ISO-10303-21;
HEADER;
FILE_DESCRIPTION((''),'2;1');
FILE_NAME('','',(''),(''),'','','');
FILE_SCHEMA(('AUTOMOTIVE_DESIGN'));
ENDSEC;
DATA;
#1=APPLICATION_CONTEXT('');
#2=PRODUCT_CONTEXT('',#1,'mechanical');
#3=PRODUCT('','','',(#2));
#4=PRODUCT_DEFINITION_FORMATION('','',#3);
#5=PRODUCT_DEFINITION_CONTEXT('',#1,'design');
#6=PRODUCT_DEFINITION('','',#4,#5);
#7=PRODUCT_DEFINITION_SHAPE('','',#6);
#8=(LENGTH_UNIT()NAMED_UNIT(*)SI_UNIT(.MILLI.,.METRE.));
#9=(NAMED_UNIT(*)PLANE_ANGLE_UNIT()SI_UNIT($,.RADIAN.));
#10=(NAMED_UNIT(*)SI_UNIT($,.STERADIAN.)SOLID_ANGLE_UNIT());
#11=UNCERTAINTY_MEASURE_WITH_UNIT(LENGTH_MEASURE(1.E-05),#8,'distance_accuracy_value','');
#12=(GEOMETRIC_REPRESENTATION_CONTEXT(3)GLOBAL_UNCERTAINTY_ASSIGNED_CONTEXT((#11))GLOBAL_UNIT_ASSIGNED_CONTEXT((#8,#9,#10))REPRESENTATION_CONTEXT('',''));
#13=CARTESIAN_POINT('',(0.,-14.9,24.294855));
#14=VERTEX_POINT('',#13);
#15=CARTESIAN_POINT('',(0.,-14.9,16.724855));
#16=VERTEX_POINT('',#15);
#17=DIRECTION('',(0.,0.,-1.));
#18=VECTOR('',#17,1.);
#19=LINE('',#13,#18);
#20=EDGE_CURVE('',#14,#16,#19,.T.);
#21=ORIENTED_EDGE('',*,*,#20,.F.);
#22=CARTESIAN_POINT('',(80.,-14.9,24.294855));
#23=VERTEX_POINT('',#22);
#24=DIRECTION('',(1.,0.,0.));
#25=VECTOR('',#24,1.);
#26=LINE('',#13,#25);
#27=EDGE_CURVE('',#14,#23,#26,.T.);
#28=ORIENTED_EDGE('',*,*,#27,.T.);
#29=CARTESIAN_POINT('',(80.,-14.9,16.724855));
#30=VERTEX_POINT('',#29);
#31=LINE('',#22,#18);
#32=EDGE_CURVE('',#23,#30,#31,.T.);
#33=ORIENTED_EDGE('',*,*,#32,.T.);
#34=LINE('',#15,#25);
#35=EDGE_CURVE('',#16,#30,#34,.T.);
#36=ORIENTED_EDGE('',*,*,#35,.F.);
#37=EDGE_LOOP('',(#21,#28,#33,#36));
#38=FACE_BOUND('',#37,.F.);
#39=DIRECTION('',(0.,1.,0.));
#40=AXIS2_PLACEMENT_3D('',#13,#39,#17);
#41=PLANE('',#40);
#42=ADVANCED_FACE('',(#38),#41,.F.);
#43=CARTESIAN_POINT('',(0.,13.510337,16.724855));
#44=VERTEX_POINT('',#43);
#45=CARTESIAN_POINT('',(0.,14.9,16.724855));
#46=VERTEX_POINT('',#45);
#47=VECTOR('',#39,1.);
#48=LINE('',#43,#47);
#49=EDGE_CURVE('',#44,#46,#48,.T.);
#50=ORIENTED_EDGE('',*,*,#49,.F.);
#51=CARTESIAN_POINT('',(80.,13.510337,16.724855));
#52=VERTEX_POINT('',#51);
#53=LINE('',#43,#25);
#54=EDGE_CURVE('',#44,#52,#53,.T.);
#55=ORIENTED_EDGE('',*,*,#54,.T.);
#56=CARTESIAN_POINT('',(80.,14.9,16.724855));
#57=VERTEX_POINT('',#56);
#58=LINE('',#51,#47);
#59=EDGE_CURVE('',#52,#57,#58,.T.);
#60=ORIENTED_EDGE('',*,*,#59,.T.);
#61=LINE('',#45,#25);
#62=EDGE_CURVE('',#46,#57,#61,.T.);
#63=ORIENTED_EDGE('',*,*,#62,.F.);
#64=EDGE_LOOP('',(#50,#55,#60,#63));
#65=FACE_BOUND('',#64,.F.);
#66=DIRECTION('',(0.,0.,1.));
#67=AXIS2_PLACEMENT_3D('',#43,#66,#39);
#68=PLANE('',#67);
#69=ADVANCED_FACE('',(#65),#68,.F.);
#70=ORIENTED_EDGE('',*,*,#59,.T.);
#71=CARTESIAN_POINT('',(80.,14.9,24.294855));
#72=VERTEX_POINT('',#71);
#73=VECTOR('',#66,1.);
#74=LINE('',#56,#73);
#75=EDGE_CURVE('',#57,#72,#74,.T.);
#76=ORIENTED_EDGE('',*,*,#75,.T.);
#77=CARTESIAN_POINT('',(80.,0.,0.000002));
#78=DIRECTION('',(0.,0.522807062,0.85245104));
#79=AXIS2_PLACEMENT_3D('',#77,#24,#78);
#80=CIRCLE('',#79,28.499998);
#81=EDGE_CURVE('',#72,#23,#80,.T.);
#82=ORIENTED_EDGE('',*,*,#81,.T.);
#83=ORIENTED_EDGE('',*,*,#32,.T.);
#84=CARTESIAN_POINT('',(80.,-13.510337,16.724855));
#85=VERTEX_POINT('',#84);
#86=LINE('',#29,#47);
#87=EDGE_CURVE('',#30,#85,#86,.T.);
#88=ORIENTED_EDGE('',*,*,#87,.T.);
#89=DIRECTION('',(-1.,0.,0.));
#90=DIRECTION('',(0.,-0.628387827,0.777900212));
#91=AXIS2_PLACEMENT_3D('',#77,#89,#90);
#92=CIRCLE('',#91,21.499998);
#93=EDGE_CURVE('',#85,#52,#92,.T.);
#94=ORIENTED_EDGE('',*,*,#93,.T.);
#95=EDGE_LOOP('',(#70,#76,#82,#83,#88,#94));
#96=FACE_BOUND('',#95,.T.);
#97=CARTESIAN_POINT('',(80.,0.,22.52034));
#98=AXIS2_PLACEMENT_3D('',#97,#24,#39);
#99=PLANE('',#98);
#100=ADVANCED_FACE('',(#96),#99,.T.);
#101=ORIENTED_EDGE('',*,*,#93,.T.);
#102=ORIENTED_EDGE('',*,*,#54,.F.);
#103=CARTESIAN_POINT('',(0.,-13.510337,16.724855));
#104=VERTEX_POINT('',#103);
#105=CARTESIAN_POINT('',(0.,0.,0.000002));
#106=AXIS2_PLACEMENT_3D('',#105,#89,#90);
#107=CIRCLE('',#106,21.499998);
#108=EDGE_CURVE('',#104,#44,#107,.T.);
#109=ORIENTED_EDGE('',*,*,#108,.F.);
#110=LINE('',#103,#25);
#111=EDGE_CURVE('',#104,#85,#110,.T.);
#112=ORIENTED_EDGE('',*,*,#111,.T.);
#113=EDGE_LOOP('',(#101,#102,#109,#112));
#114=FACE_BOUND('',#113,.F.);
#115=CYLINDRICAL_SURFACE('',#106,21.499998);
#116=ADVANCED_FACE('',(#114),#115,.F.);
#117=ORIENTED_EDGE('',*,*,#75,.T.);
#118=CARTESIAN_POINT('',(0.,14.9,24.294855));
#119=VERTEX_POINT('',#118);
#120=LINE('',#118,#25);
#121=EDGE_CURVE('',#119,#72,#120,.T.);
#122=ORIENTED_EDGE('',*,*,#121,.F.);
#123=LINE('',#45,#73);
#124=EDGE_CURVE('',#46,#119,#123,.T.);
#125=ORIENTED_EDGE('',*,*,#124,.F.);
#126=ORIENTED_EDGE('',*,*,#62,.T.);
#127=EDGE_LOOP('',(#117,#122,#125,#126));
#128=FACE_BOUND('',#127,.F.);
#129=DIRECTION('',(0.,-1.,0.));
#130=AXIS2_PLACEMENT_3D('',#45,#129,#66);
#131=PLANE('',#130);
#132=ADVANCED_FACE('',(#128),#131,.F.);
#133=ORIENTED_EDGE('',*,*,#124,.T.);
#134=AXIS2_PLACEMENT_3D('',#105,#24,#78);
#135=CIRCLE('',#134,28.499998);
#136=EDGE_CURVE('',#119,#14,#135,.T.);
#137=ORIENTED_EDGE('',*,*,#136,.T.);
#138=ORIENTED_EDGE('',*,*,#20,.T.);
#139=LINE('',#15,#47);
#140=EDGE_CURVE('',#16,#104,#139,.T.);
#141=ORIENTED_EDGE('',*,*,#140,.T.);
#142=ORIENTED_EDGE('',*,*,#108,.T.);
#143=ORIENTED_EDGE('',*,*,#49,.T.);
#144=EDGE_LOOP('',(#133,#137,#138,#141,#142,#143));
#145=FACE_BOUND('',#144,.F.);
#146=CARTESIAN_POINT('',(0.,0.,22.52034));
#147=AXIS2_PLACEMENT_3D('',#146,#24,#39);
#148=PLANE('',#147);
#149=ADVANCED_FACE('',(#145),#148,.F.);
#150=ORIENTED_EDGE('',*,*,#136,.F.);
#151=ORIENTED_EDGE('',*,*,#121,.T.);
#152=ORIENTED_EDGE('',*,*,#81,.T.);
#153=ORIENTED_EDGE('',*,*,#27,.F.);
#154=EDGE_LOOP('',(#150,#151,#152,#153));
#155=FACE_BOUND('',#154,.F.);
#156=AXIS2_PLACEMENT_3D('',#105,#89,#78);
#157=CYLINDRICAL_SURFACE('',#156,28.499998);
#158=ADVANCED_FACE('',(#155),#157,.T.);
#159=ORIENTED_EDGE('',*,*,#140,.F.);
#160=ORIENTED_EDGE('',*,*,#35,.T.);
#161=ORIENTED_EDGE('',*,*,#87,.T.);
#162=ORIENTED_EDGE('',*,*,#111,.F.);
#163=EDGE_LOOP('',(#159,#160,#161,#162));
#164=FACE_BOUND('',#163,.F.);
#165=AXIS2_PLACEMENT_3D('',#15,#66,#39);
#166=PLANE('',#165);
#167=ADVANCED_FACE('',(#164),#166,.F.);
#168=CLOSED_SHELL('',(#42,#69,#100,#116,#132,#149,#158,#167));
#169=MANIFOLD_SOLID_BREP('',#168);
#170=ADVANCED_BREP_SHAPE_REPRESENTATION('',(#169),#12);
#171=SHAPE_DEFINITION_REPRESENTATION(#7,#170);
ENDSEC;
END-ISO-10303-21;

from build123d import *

# Parameters (mm, degrees)
F1_DEPTH = 80


with BuildPart() as f1:
    # F0 (on Right) → F1 (new body)
    with BuildSketch(Plane.YZ):
        with BuildLine():
            Line((14.9, 16.724855), (14.9, 24.294855))
            ThreePointArc((14.9, 24.294855), (0, 28.5), (-14.9, 24.294855))
            Line((-14.9, 24.294855), (-14.9, 16.724855))
            Line((-14.9, 16.724855), (-13.510337, 16.724855))
            ThreePointArc((-13.510337, 16.724855), (0, 21.5), (13.510337, 16.724855))
            Line((13.510337, 16.724855), (14.9, 16.724855))
        make_face()
    extrude(amount=F1_DEPTH)


solid = f1.part
